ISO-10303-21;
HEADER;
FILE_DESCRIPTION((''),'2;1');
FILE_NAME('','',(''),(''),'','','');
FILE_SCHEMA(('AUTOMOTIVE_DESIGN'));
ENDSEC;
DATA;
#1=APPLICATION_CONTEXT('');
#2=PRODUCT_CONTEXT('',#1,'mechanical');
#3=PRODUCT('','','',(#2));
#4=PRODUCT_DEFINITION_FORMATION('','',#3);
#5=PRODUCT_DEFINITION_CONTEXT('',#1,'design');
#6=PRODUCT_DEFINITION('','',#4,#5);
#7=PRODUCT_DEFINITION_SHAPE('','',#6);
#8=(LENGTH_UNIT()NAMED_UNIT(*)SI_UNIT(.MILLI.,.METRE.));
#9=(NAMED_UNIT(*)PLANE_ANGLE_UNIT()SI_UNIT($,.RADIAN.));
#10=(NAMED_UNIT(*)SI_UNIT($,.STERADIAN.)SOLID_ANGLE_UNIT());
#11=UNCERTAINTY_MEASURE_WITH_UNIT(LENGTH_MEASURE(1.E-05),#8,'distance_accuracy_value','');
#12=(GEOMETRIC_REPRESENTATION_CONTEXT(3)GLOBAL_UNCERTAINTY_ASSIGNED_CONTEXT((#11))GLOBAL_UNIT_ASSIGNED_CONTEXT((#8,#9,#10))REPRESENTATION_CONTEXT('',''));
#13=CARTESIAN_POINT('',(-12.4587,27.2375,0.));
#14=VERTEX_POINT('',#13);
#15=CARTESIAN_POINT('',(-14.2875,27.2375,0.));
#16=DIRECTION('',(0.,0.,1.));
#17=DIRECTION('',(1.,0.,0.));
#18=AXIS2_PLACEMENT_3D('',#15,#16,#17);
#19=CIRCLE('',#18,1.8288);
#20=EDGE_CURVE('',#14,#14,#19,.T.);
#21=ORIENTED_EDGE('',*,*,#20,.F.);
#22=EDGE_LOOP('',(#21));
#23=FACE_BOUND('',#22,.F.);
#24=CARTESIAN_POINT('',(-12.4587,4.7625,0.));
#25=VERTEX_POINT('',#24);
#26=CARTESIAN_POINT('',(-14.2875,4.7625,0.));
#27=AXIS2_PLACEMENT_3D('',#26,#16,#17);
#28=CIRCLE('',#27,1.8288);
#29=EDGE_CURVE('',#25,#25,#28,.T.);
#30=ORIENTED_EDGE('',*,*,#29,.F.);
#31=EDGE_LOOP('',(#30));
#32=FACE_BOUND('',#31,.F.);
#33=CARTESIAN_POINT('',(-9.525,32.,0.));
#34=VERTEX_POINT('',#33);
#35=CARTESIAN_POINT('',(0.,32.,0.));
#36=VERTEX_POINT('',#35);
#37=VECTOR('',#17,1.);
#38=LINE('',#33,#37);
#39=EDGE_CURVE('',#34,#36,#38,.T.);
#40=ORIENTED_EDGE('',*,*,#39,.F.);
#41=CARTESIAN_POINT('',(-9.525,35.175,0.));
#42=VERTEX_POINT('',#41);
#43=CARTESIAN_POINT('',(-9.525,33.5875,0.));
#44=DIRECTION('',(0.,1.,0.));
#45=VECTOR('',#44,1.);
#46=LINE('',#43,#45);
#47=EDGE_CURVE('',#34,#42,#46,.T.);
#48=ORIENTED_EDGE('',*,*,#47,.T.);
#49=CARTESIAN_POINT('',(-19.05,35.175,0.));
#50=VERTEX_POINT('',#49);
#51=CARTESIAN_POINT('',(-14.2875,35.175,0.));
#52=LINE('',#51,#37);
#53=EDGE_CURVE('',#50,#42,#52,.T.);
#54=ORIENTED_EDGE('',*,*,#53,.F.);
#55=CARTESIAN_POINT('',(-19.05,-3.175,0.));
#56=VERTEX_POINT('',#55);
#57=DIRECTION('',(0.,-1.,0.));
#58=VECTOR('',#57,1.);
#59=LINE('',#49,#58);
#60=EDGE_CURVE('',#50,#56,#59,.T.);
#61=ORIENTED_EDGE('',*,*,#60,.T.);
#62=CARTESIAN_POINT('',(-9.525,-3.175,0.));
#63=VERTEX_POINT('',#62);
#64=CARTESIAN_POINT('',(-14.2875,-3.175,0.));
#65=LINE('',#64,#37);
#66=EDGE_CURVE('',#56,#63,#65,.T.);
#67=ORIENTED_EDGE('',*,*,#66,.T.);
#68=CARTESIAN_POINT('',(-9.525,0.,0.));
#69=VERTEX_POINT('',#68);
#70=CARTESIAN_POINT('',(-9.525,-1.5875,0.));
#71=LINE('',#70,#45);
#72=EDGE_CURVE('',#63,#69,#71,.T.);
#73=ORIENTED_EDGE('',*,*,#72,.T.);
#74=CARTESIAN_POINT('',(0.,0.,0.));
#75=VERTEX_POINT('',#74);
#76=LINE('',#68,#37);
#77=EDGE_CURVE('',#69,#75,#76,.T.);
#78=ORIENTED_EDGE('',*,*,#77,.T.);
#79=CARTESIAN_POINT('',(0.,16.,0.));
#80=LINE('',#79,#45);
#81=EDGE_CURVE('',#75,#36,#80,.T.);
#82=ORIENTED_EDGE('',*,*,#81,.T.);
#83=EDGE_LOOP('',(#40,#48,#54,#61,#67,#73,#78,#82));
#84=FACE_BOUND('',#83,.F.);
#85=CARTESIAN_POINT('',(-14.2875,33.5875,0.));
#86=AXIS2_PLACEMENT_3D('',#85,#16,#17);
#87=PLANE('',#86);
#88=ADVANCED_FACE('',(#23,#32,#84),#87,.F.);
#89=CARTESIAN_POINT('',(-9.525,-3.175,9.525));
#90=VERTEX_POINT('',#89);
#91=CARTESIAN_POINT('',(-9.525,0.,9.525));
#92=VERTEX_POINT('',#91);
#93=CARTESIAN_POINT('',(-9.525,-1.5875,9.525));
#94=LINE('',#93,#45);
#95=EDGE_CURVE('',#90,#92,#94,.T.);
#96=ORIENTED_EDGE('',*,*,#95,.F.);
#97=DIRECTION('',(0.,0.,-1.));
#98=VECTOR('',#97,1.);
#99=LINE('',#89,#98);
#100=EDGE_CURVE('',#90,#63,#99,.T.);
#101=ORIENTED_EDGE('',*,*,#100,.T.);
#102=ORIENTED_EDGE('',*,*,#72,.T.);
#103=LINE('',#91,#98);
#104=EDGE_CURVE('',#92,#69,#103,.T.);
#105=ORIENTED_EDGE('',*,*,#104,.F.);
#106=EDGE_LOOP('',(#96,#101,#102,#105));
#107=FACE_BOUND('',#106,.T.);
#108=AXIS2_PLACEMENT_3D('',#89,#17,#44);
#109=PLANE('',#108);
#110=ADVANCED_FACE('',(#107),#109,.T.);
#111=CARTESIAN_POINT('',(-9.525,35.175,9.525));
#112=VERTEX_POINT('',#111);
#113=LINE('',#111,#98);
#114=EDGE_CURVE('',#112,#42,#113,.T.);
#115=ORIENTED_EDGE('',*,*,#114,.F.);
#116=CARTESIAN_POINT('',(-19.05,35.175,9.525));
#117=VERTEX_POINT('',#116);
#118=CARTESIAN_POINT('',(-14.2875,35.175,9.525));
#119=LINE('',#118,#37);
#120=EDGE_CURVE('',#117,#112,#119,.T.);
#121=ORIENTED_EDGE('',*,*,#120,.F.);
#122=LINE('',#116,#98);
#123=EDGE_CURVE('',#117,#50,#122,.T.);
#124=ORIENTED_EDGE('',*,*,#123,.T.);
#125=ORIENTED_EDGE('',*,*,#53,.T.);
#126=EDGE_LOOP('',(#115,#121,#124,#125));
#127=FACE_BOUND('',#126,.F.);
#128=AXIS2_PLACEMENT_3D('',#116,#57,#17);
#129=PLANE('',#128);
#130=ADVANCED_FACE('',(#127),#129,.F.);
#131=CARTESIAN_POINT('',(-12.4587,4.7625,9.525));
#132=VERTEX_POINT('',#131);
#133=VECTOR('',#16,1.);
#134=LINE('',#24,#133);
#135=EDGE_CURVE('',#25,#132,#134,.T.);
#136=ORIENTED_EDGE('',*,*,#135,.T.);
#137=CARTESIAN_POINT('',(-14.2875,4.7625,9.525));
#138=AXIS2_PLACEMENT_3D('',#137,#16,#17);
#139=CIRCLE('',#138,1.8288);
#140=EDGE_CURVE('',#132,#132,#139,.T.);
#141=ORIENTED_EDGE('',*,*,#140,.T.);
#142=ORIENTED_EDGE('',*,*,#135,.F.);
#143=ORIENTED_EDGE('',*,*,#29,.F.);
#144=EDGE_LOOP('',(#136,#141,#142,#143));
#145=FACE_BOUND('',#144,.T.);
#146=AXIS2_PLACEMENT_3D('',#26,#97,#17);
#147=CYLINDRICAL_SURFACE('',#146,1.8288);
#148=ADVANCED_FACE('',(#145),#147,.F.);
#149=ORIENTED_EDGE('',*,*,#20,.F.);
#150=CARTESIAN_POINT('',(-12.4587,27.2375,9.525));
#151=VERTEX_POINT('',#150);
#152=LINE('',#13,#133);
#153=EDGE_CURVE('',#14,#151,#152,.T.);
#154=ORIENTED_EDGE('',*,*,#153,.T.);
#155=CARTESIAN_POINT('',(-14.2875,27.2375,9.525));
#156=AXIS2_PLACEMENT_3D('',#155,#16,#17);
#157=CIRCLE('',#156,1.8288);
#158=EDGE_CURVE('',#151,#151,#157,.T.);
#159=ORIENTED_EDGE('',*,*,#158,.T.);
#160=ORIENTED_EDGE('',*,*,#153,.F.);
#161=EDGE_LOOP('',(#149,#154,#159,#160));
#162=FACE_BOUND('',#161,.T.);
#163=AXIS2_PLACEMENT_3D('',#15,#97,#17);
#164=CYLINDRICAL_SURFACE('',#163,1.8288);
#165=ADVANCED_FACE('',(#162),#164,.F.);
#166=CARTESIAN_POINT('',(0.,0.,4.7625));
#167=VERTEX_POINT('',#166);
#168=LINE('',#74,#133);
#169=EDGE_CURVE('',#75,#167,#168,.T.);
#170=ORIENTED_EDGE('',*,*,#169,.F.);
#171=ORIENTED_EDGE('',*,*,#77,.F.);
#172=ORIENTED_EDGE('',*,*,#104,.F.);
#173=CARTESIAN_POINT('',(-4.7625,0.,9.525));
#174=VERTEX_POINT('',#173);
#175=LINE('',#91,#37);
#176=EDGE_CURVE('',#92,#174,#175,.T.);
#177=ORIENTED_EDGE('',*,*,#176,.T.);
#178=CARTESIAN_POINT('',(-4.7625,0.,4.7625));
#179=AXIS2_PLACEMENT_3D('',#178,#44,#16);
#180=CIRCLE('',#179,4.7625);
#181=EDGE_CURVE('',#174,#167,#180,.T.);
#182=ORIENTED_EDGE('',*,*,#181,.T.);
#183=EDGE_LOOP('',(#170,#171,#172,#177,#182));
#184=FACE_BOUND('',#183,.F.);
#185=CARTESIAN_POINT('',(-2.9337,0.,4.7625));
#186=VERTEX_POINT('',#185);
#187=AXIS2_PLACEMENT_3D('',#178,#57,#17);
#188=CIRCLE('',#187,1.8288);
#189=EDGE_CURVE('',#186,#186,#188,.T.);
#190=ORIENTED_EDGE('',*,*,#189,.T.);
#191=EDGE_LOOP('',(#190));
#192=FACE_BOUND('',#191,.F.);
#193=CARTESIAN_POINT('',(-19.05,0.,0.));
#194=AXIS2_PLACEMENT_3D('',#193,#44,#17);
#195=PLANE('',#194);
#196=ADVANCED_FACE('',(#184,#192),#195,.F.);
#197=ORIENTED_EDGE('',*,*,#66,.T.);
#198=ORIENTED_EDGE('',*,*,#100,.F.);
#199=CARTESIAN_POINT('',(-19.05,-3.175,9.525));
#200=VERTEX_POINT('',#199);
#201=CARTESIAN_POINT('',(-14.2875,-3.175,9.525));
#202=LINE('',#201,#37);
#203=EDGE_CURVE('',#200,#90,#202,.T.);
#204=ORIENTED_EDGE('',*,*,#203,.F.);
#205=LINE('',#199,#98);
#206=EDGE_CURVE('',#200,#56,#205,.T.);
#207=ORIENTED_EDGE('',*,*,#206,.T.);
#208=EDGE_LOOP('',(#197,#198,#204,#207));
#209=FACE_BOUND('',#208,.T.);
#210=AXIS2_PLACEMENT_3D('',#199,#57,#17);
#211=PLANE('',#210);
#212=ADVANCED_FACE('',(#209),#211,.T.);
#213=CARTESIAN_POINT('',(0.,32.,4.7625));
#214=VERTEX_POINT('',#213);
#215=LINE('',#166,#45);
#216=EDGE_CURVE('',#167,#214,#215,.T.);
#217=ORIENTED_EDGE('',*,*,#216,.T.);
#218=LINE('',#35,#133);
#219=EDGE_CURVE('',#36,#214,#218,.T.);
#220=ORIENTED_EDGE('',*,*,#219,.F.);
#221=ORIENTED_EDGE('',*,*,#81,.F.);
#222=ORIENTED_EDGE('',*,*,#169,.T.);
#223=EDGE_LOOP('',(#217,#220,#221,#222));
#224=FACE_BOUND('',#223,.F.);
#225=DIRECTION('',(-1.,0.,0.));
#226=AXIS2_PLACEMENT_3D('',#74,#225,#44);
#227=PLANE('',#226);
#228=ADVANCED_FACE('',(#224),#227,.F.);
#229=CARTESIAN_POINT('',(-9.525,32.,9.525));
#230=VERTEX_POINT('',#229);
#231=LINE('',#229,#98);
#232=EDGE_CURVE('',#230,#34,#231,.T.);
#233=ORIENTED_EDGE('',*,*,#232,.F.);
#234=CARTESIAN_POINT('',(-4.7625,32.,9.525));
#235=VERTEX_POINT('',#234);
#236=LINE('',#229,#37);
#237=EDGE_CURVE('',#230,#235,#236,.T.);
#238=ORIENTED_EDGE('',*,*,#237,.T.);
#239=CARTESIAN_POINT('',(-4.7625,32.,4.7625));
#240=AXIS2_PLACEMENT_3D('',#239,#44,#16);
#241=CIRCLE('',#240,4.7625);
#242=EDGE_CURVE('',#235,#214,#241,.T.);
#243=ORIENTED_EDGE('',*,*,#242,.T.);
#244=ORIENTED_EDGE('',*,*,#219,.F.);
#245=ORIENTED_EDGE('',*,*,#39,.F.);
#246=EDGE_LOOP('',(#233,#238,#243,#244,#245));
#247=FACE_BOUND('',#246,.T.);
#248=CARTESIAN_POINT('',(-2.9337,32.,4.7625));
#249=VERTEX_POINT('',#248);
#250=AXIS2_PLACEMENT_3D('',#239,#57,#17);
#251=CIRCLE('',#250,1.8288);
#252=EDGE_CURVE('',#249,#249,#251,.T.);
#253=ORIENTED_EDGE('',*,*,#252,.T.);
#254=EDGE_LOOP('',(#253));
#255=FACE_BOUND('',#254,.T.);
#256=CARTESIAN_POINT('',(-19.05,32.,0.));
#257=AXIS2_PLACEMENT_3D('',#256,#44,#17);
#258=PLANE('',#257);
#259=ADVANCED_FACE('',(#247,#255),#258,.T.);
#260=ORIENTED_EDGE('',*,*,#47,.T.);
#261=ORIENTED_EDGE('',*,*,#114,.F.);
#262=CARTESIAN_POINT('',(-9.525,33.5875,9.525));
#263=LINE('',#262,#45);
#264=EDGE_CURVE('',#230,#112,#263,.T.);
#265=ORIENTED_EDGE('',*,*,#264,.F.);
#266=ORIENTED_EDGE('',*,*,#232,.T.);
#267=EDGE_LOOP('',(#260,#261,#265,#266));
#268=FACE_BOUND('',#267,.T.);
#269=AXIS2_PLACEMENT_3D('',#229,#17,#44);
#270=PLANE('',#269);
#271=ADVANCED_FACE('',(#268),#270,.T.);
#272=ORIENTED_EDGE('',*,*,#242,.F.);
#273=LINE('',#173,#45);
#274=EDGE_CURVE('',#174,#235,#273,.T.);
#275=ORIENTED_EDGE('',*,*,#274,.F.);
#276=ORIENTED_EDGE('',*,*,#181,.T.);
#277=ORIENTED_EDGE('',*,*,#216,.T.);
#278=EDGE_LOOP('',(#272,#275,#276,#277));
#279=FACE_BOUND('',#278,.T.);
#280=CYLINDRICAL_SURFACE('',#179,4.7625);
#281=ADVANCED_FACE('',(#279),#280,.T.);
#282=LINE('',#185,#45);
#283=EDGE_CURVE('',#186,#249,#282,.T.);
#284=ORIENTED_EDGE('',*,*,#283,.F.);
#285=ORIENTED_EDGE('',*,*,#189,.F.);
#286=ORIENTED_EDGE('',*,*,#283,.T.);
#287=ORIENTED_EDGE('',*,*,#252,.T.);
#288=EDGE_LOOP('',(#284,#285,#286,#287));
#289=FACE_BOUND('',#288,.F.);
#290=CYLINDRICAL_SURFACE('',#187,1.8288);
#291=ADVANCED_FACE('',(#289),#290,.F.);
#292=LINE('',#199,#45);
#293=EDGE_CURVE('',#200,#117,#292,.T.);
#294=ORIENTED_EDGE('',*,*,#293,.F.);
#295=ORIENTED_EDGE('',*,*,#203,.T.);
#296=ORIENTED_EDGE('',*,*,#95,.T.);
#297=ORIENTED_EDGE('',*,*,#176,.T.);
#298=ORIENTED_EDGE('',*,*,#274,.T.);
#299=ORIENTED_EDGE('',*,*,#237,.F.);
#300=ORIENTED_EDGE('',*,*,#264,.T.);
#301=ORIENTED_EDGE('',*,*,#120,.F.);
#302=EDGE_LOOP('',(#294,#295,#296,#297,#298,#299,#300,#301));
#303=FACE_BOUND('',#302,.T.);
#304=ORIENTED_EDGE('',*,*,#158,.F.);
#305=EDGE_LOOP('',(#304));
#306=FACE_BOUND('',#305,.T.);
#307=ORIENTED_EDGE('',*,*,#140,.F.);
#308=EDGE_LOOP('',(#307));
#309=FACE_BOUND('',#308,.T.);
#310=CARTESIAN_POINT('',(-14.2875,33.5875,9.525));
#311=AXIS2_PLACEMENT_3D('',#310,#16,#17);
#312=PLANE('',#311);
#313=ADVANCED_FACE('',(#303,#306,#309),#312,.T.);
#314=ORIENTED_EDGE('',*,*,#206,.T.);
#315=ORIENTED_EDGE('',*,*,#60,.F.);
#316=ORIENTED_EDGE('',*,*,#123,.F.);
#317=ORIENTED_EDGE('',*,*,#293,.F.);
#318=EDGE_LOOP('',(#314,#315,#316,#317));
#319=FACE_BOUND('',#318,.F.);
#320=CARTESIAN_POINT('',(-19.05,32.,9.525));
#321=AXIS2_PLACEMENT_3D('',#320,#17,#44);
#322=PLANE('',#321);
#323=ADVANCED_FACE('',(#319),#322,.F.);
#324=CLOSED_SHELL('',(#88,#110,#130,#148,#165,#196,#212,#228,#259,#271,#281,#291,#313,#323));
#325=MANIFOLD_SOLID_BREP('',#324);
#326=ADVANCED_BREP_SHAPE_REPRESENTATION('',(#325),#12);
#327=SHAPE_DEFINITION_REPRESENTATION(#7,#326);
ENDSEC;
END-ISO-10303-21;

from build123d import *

# Parameters (mm, degrees)
F0_W     = 19.05
F0_H     = 32
F0_R     = 1.8288
F1_DEPTH = 9.525
F2_R     = 1.8288
F3_DEPTH = 32
F4_R     = 4.7625
F5_W     = 9.525
F5_H     = 3.175
F6_DEPTH = 9.525


with BuildPart() as f1:
    # F0 (on Top) → F1 (new body)
    with BuildSketch(Plane.XY):
        with Locations((-9.525, 16)):
            Rectangle(F0_W, F0_H)
        with Locations((-14.2875, 4.7625)):
            Circle(F0_R, mode=Mode.SUBTRACT)
        with Locations((-14.2875, 27.2375)):
            Circle(F0_R, mode=Mode.SUBTRACT)
    extrude(amount=F1_DEPTH)

    # F2 (on face) → F3 (cut, through all)
    with BuildSketch(Plane.XZ):
        with Locations((-4.7625, 4.7625)):
            Circle(F2_R)
    extrude(amount=-F3_DEPTH, mode=Mode.SUBTRACT)

    # F4
    f4_edges = [f1.edges().sort_by_distance(p)[0] for p in [
        (0, 16, 9.525),
    ]]
    fillet(f4_edges, radius=F4_R)

    # F5 (on face) → F6 (join, through all)
    with BuildSketch(Plane.XY.offset(9.525)):
        with Locations((-14.2875, 33.5875)):
            Rectangle(F5_W, F5_H)
        with Locations((-14.2875, -1.5875)):
            Rectangle(F5_W, F5_H)
    extrude(amount=-F6_DEPTH)


solid = f1.part
